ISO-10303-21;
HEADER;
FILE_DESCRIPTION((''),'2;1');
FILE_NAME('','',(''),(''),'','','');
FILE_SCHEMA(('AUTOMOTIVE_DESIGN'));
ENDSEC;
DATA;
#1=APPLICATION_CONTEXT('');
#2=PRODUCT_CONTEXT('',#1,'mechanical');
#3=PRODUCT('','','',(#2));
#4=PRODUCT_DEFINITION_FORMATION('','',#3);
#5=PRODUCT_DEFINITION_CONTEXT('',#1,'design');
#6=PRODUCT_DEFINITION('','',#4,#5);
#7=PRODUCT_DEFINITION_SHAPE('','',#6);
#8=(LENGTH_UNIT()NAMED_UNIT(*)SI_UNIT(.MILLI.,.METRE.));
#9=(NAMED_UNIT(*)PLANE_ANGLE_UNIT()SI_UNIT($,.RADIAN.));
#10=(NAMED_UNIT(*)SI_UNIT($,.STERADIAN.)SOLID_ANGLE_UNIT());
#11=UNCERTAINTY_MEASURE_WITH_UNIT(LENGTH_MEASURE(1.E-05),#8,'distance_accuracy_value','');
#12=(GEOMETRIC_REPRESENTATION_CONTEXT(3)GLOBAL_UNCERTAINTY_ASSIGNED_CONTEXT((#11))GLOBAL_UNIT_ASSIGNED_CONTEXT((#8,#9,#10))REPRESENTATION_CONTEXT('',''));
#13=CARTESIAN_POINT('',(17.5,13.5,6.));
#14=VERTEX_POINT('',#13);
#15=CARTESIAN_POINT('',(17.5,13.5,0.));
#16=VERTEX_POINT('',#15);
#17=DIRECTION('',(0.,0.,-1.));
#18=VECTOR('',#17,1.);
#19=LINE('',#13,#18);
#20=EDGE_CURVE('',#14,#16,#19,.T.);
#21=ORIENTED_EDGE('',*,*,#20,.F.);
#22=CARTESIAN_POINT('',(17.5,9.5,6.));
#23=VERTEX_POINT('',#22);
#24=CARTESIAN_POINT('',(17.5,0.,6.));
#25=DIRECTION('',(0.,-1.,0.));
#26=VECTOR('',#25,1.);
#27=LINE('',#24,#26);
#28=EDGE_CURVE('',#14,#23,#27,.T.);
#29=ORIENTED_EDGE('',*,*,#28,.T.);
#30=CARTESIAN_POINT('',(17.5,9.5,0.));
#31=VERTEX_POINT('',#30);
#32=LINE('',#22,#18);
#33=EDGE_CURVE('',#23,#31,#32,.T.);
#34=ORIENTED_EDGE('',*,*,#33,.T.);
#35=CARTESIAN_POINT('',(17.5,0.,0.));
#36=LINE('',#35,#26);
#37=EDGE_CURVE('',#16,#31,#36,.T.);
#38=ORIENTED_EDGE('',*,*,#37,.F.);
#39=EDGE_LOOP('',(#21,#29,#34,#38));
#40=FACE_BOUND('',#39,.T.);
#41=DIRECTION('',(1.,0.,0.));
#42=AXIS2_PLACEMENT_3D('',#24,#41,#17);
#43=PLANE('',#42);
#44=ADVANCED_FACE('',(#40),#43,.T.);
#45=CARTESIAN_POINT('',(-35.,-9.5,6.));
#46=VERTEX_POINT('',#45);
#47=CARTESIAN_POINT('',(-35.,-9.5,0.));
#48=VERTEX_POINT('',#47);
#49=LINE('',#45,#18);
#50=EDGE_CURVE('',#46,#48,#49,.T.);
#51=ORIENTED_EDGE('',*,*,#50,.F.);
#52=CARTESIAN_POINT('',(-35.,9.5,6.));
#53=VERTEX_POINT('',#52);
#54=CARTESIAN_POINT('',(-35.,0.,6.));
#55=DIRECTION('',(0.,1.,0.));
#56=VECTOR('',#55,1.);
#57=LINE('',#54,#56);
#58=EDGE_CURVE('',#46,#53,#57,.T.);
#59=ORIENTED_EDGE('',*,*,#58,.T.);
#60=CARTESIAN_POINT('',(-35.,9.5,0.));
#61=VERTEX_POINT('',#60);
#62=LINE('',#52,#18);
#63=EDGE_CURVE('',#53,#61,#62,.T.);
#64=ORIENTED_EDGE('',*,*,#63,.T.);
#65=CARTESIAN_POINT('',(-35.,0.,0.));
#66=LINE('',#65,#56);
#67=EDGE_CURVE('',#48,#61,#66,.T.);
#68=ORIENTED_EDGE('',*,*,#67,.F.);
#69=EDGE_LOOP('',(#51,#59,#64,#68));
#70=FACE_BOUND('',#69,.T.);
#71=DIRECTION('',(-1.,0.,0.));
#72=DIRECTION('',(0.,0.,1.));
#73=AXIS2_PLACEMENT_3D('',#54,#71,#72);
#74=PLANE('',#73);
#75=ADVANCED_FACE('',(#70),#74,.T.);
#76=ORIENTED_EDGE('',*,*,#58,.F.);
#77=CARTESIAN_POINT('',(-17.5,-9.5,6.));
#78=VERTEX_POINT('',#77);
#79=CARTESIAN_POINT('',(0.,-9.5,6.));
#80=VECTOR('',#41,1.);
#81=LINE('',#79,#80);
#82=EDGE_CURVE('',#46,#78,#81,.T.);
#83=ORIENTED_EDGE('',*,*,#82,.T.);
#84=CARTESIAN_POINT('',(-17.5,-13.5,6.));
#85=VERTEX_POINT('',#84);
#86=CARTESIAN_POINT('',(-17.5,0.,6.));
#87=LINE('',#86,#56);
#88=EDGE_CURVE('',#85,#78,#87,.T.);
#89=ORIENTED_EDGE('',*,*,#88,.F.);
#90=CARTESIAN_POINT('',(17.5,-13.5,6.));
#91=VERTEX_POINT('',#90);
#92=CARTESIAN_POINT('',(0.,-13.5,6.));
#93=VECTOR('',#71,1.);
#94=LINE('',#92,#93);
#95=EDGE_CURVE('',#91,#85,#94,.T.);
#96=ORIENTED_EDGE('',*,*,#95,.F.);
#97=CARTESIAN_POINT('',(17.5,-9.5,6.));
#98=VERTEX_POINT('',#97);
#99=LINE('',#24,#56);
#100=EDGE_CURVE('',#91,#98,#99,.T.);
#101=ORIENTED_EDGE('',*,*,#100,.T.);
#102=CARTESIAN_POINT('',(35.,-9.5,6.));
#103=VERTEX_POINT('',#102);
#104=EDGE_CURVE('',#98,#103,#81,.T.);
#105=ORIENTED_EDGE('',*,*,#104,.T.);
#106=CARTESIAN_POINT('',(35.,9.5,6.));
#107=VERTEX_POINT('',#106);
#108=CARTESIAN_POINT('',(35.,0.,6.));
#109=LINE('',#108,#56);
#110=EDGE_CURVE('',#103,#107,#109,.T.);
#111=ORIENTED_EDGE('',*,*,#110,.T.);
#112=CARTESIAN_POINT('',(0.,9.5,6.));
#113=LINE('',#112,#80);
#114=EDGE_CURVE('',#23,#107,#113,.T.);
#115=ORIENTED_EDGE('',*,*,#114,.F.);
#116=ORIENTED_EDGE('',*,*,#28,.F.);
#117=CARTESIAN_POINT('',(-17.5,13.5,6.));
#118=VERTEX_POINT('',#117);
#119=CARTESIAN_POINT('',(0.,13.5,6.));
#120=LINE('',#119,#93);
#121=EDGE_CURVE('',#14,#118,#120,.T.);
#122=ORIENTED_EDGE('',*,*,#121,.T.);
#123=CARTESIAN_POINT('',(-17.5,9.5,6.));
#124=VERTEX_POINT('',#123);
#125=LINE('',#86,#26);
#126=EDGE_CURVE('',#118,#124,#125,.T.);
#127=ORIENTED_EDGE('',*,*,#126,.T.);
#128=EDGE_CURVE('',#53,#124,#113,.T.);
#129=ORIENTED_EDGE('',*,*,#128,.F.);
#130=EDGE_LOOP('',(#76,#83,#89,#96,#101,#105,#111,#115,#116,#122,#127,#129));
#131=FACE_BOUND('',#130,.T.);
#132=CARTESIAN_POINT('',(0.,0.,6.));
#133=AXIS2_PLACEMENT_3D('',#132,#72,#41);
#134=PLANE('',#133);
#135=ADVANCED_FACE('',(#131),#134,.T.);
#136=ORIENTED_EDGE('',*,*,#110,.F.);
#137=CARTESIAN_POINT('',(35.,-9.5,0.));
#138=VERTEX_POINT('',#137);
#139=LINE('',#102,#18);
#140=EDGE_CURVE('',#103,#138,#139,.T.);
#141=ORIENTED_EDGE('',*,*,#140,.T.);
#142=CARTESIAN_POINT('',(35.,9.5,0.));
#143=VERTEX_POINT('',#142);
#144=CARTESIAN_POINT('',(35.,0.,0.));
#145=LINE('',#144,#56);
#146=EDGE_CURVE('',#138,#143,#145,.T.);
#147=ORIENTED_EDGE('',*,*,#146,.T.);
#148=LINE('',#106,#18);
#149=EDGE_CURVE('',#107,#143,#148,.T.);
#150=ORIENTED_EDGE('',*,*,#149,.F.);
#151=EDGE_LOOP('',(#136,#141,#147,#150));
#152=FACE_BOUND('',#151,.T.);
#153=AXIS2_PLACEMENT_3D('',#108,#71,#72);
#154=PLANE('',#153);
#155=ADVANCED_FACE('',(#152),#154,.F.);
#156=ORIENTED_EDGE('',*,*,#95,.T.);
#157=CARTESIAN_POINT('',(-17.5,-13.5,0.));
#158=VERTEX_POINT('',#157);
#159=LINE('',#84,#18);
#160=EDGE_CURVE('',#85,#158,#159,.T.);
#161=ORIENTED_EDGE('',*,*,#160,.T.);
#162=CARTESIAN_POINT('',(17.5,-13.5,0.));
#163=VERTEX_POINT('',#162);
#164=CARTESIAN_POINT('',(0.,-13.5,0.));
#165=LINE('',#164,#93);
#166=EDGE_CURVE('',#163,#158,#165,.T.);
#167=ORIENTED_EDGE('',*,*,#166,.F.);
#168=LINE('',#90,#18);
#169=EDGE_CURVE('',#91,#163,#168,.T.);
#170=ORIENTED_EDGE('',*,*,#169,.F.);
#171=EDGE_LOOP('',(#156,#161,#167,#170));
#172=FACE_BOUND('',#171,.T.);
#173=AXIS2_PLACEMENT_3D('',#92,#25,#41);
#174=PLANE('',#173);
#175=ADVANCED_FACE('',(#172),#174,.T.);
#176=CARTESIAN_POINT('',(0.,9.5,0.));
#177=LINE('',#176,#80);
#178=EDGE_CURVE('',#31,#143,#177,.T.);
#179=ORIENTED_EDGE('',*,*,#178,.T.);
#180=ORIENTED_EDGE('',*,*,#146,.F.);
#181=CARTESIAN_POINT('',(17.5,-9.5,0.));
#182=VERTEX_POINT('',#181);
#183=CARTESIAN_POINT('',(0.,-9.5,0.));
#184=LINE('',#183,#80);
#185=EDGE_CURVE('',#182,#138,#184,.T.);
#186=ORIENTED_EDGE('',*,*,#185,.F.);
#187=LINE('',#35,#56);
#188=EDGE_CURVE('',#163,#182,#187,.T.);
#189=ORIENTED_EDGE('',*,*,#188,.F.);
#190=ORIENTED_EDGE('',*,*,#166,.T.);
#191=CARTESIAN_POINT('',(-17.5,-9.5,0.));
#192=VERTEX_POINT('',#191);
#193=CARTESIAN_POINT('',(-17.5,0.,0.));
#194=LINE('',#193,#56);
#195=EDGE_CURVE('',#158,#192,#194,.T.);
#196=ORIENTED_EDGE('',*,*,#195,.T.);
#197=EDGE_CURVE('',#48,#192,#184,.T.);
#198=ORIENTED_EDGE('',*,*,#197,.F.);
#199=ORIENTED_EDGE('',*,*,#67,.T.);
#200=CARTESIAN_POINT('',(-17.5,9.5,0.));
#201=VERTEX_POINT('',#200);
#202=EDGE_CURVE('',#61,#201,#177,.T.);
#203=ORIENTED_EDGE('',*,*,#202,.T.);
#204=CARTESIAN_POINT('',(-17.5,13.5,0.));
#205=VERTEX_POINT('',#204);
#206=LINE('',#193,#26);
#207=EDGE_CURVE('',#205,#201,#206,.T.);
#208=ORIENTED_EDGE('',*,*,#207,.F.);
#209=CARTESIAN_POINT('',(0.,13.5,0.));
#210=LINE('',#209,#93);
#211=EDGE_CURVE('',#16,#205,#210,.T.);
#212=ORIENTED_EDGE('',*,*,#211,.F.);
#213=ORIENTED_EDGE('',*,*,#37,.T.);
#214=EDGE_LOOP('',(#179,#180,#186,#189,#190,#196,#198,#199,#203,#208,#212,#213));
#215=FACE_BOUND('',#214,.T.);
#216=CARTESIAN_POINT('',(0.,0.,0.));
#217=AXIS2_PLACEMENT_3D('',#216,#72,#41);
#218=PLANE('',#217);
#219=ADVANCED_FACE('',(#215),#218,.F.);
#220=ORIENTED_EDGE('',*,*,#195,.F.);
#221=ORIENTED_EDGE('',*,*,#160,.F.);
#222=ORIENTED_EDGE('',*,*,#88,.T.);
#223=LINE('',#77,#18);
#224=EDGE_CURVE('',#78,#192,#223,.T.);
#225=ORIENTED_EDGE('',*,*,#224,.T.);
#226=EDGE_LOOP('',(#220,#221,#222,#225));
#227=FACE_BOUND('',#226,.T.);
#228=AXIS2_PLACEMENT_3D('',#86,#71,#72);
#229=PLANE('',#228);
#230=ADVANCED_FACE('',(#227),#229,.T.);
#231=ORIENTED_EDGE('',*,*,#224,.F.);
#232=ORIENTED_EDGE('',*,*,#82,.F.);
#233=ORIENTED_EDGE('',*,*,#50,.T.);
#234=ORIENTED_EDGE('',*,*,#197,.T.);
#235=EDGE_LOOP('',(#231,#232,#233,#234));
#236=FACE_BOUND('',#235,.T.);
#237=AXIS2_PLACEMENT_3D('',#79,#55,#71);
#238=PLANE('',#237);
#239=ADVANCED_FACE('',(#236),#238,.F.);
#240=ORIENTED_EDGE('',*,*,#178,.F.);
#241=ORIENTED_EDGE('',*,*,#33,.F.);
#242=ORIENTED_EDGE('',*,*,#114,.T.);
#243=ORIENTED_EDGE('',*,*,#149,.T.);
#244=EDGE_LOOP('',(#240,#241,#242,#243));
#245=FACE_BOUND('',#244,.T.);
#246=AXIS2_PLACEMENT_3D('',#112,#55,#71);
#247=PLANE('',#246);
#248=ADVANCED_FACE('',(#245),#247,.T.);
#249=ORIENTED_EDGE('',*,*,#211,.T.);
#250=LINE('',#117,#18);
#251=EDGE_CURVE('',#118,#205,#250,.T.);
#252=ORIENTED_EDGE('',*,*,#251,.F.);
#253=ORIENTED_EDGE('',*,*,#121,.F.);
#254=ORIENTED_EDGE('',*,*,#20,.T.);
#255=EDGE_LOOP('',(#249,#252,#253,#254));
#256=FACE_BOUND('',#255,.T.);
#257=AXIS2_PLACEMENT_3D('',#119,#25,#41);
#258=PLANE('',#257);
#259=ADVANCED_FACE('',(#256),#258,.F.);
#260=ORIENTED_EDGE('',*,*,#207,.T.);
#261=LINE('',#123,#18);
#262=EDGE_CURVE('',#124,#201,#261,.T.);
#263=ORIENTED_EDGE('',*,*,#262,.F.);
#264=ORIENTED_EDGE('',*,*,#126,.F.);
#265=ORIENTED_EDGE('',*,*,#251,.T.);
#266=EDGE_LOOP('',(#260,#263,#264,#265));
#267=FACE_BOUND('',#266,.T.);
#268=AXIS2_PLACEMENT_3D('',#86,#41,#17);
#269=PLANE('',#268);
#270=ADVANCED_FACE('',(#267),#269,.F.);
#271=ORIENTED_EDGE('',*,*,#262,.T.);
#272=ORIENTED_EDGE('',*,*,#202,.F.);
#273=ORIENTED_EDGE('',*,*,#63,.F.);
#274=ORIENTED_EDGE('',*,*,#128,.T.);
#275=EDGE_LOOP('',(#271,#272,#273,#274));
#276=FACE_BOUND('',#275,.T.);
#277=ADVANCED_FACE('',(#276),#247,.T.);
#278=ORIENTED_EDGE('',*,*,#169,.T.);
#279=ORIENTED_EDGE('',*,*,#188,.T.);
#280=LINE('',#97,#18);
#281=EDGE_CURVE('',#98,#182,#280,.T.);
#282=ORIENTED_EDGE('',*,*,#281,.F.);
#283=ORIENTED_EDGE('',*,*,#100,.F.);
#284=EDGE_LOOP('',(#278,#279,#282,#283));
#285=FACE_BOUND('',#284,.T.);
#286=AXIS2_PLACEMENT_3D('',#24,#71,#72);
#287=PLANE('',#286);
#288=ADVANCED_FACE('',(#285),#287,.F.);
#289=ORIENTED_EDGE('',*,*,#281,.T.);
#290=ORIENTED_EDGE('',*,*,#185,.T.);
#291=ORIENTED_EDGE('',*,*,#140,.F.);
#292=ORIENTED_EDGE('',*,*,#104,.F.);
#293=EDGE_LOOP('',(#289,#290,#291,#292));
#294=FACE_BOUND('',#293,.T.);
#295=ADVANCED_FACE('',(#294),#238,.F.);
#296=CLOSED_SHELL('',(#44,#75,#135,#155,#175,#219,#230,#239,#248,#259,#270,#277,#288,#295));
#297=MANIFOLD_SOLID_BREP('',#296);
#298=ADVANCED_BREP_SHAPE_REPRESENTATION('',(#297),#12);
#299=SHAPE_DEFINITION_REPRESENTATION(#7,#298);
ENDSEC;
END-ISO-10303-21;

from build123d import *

# Parameters (mm, degrees)
ESBO_O1_W                = 70
ESBO_O1_H                = 19
ESBO_O1_W_2              = 35
ESBO_O1_H_2              = 4
RESSALTO_EXTRUS_O1_DEPTH = 6


with BuildPart() as part:
    # Esboço1 → Ressalto-extrusão1 (new body)
    with BuildSketch(Plane.XY):
        Rectangle(ESBO_O1_W, ESBO_O1_H)
        with Locations((0, 11.5)):
            Rectangle(ESBO_O1_W_2, ESBO_O1_H_2)
        with Locations((0, -11.5)):
            Rectangle(ESBO_O1_W_2, ESBO_O1_H_2)
    extrude(amount=RESSALTO_EXTRUS_O1_DEPTH)


solid = part.part
